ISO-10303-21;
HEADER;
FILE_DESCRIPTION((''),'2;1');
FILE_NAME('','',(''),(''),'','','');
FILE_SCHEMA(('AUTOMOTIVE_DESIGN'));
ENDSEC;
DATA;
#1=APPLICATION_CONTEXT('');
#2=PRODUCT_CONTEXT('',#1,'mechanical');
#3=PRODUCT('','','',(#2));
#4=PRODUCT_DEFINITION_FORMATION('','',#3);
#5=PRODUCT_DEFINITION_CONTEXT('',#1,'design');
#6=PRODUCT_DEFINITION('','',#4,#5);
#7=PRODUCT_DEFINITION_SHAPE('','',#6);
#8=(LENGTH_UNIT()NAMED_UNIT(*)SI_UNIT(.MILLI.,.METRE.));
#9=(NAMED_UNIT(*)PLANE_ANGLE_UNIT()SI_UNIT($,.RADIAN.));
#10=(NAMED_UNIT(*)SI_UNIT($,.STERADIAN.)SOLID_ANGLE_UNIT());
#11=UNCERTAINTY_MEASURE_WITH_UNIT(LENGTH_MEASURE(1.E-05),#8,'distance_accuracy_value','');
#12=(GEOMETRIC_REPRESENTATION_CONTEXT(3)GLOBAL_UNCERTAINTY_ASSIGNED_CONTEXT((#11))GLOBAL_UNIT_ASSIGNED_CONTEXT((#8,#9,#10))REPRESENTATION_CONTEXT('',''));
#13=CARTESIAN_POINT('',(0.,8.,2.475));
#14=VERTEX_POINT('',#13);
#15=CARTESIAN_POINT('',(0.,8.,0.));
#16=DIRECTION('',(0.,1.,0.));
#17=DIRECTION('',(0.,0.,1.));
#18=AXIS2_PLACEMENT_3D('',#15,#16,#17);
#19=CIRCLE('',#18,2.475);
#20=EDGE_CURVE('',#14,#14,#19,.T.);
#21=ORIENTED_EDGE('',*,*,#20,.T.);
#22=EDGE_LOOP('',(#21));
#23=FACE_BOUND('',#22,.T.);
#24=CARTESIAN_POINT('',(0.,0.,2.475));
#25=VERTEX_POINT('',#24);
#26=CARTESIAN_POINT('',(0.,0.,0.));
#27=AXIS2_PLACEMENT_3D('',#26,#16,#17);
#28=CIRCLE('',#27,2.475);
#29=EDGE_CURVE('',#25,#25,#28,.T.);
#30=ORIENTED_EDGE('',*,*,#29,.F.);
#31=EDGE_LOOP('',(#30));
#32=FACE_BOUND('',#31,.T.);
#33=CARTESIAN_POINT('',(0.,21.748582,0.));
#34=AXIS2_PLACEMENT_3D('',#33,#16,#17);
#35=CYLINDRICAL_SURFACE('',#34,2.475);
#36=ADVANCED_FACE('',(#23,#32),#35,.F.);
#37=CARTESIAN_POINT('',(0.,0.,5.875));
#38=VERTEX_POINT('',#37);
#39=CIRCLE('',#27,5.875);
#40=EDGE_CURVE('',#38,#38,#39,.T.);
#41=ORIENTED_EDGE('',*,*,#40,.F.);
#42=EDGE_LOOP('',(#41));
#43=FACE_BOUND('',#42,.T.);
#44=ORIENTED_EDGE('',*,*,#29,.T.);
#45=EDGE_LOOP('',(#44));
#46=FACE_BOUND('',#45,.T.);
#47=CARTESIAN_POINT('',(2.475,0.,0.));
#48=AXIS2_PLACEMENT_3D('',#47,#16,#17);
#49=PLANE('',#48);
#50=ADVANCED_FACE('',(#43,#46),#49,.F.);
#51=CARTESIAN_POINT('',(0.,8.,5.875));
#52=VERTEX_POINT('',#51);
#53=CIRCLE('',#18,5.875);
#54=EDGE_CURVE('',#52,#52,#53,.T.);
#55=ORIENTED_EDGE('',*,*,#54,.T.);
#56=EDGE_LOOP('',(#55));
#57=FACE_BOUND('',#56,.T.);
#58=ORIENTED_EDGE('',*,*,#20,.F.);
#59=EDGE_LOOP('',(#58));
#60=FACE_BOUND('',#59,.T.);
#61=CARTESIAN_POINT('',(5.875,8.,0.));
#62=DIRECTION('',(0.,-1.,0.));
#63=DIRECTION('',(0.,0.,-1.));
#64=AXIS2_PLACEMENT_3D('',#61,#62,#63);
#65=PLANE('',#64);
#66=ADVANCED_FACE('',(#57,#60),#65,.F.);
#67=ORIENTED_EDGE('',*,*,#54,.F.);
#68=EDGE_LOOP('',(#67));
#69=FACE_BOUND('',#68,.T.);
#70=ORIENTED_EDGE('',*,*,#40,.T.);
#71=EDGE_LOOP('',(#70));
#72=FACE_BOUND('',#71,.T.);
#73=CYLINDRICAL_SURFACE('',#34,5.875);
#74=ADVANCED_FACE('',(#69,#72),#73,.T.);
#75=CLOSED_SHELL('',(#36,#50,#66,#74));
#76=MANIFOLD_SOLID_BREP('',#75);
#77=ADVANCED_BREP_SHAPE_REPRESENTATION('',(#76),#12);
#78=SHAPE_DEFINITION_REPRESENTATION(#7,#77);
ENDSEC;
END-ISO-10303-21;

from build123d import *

# Parameters (mm, degrees)
SKETCH1_W = 3.4
SKETCH1_H = 8


with BuildPart() as part:
    # Sketch1 → Revolve1 (revolve)
    with BuildSketch(Plane.XY, mode=Mode.PRIVATE) as revolve1_sk:
        with Locations((4.175, 4)):
            Rectangle(SKETCH1_W, SKETCH1_H)
    revolve(revolve1_sk.sketch.rotate(Axis((0, 21.748581963, 0), (0, -1, 0)), 90), axis=Axis((0, 21.748581963, 0), (0, -1, 0)))


solid = part.part
